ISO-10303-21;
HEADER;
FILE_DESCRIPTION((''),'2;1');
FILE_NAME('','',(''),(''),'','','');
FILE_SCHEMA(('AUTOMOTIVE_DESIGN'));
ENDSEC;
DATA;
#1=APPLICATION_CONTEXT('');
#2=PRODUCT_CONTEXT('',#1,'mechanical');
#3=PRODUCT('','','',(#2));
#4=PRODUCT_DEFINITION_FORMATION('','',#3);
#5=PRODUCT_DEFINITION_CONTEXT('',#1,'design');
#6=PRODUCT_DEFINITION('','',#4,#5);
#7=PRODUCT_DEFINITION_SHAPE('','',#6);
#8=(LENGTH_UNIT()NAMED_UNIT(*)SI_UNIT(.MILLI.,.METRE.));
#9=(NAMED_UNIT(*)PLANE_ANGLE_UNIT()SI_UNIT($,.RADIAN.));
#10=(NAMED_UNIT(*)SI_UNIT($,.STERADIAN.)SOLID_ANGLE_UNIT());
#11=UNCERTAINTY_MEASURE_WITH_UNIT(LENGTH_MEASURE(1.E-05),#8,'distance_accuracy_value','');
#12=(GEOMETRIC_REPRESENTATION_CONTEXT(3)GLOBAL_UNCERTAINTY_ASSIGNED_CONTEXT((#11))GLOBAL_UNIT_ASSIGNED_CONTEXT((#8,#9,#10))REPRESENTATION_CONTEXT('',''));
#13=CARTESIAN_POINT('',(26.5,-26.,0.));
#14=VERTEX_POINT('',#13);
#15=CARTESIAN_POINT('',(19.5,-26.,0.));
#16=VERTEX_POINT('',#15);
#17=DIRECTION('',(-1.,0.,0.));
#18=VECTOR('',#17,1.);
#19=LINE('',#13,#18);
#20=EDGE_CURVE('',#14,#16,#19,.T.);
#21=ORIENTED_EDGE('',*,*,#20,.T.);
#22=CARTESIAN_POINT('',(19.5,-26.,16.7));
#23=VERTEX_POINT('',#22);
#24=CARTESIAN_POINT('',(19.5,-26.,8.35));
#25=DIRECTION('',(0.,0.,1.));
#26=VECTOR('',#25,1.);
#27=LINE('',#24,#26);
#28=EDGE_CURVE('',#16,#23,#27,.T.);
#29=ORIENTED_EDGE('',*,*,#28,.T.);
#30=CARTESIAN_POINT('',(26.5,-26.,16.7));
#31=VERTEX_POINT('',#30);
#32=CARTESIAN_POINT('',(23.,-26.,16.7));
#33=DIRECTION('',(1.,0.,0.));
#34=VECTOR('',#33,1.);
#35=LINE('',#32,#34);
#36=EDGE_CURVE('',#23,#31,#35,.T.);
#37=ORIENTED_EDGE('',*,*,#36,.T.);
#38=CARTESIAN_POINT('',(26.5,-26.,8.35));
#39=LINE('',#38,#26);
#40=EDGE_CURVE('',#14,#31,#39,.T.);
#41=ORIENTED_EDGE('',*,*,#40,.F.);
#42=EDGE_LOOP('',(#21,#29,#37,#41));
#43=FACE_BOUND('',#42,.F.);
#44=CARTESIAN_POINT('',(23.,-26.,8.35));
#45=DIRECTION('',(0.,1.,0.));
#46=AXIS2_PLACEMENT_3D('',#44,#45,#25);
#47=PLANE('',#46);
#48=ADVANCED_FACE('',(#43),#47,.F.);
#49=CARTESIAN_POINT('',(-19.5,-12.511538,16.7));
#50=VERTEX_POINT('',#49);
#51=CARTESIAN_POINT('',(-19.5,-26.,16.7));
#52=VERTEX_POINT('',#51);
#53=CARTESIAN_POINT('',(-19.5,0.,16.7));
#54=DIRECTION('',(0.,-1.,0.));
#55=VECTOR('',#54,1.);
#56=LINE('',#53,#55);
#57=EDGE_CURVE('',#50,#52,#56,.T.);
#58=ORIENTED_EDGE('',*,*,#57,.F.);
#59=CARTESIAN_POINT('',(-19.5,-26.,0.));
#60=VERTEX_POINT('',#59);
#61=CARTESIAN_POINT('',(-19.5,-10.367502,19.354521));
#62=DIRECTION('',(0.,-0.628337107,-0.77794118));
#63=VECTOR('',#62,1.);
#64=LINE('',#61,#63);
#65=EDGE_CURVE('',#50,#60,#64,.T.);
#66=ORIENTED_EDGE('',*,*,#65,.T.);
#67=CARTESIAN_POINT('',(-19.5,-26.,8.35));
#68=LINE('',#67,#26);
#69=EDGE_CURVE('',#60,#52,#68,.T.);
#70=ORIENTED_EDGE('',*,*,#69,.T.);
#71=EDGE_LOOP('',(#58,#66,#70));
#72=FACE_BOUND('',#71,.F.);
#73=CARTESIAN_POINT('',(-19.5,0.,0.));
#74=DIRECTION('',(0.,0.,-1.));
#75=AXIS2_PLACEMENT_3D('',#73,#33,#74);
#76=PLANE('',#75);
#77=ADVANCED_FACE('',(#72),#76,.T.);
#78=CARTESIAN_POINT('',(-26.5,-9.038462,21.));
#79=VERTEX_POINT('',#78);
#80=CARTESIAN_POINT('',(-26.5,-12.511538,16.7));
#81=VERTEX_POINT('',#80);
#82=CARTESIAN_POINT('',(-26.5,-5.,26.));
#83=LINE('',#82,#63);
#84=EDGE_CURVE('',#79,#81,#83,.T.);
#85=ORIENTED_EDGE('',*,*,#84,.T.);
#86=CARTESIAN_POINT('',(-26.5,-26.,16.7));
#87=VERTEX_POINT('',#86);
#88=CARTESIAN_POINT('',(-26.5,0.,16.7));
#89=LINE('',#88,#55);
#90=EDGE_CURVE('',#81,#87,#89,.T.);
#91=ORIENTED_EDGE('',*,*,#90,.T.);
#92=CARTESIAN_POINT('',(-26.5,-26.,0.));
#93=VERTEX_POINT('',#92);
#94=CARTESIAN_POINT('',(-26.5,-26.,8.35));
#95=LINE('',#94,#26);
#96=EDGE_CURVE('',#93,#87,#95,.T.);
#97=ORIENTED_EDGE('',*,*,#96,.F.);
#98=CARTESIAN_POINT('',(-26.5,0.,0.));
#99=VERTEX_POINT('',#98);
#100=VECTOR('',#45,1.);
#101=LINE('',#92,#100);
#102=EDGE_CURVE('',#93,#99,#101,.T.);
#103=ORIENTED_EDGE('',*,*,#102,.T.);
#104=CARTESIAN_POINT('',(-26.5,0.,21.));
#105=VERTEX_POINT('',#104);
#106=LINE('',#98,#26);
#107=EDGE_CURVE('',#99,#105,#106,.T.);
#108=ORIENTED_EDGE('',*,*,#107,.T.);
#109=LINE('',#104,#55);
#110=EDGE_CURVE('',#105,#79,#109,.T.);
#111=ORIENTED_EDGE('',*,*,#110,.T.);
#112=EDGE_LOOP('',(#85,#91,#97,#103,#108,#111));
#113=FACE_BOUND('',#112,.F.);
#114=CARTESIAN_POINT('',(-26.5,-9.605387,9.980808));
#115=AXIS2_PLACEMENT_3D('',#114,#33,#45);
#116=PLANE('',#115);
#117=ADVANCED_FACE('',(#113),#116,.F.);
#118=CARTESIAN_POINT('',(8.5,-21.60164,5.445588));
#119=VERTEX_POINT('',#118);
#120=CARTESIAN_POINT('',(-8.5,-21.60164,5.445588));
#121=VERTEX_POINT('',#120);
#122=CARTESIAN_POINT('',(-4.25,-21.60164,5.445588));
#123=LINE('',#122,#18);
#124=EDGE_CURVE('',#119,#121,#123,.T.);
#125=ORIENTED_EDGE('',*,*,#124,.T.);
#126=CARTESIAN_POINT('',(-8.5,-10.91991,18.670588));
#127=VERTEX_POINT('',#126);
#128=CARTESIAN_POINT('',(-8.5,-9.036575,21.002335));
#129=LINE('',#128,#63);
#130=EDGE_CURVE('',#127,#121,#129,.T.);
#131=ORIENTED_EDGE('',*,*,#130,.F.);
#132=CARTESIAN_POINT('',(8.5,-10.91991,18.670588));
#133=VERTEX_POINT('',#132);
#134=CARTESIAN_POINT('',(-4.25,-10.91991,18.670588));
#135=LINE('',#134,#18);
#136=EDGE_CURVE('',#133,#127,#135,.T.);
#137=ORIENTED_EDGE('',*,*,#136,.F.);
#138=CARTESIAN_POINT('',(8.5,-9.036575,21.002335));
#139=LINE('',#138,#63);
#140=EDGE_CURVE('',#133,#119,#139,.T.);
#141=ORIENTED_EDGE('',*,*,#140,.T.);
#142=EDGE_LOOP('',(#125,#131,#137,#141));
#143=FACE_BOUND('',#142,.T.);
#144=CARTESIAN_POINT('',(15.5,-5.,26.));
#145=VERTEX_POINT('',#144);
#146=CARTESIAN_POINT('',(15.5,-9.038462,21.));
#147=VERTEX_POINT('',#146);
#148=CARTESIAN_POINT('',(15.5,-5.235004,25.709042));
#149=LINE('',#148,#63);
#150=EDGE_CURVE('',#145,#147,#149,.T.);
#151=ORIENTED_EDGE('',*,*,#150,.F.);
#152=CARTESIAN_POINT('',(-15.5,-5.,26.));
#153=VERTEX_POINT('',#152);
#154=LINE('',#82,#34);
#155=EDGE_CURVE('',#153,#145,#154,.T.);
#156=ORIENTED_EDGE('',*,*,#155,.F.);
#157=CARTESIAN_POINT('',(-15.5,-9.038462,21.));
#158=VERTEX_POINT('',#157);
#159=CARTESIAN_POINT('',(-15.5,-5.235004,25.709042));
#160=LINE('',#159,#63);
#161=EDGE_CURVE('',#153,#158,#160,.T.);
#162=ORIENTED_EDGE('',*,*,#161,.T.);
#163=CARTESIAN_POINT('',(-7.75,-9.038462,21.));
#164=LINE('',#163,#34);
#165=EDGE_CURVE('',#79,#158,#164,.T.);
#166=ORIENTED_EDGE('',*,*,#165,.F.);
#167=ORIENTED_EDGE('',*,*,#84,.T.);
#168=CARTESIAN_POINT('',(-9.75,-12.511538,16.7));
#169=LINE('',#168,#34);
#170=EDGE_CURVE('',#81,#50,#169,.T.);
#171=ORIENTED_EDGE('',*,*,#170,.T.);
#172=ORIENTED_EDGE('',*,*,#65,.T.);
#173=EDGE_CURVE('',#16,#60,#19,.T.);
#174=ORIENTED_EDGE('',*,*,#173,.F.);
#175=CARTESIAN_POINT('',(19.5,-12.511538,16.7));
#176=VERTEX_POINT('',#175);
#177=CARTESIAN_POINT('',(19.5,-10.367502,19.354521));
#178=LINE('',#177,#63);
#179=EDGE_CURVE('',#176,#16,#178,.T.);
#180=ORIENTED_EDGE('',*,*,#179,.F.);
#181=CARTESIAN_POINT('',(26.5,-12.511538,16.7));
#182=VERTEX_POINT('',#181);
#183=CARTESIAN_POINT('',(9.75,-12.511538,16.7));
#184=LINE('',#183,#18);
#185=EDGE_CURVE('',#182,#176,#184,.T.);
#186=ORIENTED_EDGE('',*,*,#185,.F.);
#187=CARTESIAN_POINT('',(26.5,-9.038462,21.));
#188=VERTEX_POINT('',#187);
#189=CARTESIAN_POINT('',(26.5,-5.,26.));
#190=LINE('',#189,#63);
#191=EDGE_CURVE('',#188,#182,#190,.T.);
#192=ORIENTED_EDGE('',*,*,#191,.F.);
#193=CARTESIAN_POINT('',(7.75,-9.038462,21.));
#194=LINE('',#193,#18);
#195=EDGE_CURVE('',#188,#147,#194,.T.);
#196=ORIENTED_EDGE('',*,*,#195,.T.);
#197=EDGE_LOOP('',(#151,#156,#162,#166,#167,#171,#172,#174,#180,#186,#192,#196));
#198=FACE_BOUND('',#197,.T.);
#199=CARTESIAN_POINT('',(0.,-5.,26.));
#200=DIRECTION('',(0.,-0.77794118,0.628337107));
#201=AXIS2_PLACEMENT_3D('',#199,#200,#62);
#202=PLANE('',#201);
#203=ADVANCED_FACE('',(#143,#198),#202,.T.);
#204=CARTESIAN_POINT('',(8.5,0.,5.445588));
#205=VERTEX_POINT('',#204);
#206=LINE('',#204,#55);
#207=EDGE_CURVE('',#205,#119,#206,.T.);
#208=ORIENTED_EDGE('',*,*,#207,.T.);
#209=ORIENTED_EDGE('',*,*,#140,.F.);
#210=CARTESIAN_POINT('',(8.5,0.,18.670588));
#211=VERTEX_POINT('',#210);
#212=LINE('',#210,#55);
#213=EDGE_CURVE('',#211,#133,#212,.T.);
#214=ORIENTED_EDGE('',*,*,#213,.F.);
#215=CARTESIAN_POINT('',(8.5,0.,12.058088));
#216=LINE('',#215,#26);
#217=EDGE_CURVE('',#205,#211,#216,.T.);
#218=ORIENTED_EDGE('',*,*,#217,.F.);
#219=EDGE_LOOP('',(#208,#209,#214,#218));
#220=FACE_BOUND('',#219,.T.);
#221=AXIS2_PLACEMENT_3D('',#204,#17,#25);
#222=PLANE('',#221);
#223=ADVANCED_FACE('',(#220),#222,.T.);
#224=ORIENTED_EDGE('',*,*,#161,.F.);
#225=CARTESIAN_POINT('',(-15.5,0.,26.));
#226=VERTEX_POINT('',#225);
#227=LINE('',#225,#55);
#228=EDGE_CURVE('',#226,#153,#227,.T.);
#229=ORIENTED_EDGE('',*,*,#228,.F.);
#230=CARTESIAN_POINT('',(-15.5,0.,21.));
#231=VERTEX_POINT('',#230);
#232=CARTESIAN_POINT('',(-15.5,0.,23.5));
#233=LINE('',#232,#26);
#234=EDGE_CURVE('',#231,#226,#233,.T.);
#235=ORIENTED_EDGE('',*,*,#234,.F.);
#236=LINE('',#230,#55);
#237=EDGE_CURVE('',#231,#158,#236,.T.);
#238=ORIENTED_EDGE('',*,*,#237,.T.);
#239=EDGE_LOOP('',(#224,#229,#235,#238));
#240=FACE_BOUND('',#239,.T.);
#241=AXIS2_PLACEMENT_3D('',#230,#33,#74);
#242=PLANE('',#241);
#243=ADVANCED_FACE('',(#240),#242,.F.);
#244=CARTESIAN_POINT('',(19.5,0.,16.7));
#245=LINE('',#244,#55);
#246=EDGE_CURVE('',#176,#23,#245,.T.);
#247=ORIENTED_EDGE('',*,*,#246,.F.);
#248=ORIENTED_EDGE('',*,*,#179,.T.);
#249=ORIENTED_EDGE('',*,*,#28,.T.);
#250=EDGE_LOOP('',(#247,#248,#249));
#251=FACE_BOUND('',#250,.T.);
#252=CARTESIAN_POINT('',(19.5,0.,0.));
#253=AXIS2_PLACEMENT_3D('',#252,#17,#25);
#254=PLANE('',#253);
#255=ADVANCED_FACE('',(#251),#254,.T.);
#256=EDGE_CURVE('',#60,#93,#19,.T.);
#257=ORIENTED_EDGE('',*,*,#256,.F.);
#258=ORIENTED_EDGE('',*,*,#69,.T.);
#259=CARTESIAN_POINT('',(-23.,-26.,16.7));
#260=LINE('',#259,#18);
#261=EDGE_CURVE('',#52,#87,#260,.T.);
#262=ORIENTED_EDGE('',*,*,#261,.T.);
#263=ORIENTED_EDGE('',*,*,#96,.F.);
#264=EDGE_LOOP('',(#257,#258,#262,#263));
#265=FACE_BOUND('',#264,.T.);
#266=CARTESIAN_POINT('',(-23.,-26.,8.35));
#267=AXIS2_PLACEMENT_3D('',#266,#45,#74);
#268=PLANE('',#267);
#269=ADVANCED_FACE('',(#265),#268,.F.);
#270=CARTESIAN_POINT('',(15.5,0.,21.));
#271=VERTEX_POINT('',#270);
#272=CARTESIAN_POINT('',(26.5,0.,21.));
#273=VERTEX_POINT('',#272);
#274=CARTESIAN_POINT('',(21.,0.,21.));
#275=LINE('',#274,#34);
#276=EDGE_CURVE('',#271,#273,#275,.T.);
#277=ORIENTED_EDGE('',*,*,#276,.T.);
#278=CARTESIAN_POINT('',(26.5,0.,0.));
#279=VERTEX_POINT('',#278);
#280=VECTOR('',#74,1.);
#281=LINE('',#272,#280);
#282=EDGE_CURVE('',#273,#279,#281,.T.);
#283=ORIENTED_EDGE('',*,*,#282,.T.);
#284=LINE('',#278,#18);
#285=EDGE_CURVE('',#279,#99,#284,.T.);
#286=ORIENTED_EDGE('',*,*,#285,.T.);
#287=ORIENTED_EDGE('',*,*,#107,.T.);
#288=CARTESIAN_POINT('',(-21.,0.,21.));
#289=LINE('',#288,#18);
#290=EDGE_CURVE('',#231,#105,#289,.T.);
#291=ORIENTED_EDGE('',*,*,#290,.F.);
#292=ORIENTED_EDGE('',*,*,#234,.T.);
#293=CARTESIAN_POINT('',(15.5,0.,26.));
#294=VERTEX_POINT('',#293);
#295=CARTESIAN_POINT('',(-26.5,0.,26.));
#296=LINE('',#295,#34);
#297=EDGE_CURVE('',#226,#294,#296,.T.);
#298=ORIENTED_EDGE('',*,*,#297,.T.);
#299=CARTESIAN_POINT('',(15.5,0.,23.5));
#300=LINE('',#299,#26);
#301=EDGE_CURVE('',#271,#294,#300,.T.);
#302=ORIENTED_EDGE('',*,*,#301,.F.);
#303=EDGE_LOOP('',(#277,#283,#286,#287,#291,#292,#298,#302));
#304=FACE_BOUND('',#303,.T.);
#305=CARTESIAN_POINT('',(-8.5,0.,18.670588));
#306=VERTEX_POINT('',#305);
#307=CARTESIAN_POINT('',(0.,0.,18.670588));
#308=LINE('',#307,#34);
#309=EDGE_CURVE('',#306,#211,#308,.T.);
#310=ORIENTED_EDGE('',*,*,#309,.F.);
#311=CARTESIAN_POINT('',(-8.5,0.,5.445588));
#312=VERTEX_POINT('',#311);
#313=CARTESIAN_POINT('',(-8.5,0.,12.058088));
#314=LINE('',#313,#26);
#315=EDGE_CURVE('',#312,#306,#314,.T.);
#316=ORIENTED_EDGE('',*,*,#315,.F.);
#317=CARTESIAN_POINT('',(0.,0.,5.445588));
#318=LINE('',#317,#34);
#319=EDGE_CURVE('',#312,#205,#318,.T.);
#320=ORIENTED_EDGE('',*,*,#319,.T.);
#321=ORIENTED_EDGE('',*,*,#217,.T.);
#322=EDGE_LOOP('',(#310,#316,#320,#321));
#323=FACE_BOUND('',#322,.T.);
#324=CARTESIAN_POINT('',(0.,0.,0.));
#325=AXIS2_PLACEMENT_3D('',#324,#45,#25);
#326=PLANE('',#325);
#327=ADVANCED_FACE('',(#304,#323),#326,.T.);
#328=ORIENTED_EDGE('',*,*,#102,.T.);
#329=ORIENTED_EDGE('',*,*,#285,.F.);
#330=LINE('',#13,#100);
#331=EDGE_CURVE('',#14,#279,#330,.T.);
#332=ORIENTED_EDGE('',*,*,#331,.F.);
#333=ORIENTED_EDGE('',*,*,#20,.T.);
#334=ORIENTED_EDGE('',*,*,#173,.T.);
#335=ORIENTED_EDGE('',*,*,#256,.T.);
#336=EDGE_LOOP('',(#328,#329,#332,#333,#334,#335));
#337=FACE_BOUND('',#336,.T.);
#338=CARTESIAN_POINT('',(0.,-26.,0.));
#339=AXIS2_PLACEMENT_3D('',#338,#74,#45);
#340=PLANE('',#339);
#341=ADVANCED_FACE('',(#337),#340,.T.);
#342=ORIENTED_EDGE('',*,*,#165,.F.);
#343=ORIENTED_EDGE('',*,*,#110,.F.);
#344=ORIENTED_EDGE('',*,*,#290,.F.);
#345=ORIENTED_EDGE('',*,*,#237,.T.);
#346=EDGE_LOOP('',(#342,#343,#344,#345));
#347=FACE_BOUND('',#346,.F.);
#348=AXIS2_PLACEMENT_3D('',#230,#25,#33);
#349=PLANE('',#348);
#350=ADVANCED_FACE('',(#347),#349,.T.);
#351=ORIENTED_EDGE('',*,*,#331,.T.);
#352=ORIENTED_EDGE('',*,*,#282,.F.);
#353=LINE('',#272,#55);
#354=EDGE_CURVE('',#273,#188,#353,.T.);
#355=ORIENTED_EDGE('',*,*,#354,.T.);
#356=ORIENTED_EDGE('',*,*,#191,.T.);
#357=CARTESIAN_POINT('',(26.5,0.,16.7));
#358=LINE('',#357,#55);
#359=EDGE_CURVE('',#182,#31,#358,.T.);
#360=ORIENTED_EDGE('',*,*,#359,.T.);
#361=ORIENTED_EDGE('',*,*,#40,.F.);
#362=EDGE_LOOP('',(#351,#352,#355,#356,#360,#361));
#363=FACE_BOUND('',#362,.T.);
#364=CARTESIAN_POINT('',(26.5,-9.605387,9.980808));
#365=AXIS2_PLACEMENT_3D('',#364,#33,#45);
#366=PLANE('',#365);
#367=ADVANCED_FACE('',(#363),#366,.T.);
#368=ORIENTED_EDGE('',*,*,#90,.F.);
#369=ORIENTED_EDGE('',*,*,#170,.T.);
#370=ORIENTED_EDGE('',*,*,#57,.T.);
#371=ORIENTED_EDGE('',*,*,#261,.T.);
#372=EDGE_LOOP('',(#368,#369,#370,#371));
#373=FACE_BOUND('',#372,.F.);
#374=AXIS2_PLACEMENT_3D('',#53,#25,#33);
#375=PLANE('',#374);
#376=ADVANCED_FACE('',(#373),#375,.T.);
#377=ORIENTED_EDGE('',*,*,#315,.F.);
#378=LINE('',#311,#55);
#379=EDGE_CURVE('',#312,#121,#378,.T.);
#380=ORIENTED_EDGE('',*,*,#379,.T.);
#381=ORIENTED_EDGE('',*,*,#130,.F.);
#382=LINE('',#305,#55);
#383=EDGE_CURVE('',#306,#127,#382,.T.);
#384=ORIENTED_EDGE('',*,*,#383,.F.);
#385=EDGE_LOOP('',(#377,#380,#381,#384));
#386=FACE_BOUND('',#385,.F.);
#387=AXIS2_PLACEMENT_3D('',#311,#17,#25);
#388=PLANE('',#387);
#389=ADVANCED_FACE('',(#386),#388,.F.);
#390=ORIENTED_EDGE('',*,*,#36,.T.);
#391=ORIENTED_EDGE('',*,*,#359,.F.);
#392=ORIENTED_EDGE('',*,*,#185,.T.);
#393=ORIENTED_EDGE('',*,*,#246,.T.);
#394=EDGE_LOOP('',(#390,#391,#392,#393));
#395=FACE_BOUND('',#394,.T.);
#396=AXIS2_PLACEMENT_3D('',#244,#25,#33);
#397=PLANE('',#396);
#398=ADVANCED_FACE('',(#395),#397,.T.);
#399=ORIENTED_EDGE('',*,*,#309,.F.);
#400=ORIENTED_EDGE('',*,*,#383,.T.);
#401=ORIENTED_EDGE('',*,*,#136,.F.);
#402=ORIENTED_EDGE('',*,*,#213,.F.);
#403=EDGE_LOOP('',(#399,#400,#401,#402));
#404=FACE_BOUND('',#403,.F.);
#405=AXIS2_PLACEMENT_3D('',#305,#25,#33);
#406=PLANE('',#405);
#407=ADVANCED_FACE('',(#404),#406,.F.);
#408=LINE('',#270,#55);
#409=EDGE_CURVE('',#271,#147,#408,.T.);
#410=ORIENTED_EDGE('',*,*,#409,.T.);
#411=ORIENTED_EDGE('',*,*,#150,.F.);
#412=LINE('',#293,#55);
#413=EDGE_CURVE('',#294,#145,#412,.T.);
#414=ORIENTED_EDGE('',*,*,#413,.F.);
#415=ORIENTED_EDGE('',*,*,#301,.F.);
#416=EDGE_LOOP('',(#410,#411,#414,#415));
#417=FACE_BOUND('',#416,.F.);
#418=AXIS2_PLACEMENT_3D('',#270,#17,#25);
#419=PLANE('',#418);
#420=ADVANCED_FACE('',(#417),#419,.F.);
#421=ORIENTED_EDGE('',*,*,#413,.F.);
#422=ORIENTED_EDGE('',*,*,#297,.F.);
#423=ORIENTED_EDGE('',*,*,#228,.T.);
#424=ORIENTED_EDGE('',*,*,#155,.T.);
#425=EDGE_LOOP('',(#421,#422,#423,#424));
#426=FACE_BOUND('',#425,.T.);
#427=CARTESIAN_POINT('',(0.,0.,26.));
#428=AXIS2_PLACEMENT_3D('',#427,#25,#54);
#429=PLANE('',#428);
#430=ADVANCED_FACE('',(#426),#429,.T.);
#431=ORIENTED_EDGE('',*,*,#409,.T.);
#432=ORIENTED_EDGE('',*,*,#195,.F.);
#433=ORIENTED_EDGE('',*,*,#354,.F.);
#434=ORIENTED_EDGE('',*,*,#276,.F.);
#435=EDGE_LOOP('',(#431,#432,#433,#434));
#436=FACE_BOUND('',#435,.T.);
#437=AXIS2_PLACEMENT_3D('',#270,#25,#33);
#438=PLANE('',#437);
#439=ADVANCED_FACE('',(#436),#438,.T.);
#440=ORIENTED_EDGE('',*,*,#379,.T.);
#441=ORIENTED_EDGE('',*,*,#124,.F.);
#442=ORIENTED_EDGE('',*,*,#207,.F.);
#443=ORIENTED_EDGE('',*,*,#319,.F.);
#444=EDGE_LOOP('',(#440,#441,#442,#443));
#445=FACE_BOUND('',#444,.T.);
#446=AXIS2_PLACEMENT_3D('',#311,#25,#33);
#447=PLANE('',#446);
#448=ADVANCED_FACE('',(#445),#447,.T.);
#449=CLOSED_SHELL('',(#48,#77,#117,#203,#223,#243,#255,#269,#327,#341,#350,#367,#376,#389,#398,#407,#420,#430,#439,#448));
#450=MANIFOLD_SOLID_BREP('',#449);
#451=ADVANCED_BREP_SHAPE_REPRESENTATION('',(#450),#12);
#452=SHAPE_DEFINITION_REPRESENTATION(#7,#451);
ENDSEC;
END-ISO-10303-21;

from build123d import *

# Parameters (mm, degrees)
PAD_DEPTH       = 26.5
SKETCH001_W     = 5
SKETCH001_H     = 11
POCKET_DEPTH    = 155.012627
SKETCH002_W     = 16.7
SKETCH002_H     = 7
PAD001_DEPTH    = 26
SKETCH004_W     = 13.225
SKETCH004_H     = 17
POCKET001_DEPTH = 26.001


with BuildPart() as part:
    # Sketch → Pad (new body, symmetric)
    with BuildSketch(Plane.YZ):
        Polygon((0, 0), (0, 26), (-5, 26), (-26, 0), align=None)
    extrude(amount=PAD_DEPTH, both=True)

    # Sketch001 (on Face1 of Pad) → Pocket (cut, through all)
    with BuildSketch(Plane.ZX):
        with Locations((23.5, 21)):
            Rectangle(SKETCH001_W, SKETCH001_H)
    pocket = extrude(amount=-POCKET_DEPTH, mode=Mode.SUBTRACT)

    # Mirrored: Pocket across Sketch001 H_Axis
    add(pocket.mirror(Plane.YZ), mode=Mode.SUBTRACT)

    # Sketch002 (on Face1 of Mirrored) → Pad001 (join)
    with BuildSketch(Plane.ZX):
        with Locations((8.35, 23)):
            Rectangle(SKETCH002_W, SKETCH002_H)
    pad001 = extrude(amount=-PAD001_DEPTH)

    # Mirrored001: Pad001 across Sketch002 H_Axis
    add(pad001.mirror(Plane.YZ))

    # Sketch004 (on Face15 of Mirrored001) → Pocket001 (cut, through all)
    with BuildSketch(Plane.ZX):
        with Locations((12.058088, 0)):
            Rectangle(SKETCH004_W, SKETCH004_H)
    extrude(amount=-POCKET001_DEPTH, mode=Mode.SUBTRACT)


solid = part.part
